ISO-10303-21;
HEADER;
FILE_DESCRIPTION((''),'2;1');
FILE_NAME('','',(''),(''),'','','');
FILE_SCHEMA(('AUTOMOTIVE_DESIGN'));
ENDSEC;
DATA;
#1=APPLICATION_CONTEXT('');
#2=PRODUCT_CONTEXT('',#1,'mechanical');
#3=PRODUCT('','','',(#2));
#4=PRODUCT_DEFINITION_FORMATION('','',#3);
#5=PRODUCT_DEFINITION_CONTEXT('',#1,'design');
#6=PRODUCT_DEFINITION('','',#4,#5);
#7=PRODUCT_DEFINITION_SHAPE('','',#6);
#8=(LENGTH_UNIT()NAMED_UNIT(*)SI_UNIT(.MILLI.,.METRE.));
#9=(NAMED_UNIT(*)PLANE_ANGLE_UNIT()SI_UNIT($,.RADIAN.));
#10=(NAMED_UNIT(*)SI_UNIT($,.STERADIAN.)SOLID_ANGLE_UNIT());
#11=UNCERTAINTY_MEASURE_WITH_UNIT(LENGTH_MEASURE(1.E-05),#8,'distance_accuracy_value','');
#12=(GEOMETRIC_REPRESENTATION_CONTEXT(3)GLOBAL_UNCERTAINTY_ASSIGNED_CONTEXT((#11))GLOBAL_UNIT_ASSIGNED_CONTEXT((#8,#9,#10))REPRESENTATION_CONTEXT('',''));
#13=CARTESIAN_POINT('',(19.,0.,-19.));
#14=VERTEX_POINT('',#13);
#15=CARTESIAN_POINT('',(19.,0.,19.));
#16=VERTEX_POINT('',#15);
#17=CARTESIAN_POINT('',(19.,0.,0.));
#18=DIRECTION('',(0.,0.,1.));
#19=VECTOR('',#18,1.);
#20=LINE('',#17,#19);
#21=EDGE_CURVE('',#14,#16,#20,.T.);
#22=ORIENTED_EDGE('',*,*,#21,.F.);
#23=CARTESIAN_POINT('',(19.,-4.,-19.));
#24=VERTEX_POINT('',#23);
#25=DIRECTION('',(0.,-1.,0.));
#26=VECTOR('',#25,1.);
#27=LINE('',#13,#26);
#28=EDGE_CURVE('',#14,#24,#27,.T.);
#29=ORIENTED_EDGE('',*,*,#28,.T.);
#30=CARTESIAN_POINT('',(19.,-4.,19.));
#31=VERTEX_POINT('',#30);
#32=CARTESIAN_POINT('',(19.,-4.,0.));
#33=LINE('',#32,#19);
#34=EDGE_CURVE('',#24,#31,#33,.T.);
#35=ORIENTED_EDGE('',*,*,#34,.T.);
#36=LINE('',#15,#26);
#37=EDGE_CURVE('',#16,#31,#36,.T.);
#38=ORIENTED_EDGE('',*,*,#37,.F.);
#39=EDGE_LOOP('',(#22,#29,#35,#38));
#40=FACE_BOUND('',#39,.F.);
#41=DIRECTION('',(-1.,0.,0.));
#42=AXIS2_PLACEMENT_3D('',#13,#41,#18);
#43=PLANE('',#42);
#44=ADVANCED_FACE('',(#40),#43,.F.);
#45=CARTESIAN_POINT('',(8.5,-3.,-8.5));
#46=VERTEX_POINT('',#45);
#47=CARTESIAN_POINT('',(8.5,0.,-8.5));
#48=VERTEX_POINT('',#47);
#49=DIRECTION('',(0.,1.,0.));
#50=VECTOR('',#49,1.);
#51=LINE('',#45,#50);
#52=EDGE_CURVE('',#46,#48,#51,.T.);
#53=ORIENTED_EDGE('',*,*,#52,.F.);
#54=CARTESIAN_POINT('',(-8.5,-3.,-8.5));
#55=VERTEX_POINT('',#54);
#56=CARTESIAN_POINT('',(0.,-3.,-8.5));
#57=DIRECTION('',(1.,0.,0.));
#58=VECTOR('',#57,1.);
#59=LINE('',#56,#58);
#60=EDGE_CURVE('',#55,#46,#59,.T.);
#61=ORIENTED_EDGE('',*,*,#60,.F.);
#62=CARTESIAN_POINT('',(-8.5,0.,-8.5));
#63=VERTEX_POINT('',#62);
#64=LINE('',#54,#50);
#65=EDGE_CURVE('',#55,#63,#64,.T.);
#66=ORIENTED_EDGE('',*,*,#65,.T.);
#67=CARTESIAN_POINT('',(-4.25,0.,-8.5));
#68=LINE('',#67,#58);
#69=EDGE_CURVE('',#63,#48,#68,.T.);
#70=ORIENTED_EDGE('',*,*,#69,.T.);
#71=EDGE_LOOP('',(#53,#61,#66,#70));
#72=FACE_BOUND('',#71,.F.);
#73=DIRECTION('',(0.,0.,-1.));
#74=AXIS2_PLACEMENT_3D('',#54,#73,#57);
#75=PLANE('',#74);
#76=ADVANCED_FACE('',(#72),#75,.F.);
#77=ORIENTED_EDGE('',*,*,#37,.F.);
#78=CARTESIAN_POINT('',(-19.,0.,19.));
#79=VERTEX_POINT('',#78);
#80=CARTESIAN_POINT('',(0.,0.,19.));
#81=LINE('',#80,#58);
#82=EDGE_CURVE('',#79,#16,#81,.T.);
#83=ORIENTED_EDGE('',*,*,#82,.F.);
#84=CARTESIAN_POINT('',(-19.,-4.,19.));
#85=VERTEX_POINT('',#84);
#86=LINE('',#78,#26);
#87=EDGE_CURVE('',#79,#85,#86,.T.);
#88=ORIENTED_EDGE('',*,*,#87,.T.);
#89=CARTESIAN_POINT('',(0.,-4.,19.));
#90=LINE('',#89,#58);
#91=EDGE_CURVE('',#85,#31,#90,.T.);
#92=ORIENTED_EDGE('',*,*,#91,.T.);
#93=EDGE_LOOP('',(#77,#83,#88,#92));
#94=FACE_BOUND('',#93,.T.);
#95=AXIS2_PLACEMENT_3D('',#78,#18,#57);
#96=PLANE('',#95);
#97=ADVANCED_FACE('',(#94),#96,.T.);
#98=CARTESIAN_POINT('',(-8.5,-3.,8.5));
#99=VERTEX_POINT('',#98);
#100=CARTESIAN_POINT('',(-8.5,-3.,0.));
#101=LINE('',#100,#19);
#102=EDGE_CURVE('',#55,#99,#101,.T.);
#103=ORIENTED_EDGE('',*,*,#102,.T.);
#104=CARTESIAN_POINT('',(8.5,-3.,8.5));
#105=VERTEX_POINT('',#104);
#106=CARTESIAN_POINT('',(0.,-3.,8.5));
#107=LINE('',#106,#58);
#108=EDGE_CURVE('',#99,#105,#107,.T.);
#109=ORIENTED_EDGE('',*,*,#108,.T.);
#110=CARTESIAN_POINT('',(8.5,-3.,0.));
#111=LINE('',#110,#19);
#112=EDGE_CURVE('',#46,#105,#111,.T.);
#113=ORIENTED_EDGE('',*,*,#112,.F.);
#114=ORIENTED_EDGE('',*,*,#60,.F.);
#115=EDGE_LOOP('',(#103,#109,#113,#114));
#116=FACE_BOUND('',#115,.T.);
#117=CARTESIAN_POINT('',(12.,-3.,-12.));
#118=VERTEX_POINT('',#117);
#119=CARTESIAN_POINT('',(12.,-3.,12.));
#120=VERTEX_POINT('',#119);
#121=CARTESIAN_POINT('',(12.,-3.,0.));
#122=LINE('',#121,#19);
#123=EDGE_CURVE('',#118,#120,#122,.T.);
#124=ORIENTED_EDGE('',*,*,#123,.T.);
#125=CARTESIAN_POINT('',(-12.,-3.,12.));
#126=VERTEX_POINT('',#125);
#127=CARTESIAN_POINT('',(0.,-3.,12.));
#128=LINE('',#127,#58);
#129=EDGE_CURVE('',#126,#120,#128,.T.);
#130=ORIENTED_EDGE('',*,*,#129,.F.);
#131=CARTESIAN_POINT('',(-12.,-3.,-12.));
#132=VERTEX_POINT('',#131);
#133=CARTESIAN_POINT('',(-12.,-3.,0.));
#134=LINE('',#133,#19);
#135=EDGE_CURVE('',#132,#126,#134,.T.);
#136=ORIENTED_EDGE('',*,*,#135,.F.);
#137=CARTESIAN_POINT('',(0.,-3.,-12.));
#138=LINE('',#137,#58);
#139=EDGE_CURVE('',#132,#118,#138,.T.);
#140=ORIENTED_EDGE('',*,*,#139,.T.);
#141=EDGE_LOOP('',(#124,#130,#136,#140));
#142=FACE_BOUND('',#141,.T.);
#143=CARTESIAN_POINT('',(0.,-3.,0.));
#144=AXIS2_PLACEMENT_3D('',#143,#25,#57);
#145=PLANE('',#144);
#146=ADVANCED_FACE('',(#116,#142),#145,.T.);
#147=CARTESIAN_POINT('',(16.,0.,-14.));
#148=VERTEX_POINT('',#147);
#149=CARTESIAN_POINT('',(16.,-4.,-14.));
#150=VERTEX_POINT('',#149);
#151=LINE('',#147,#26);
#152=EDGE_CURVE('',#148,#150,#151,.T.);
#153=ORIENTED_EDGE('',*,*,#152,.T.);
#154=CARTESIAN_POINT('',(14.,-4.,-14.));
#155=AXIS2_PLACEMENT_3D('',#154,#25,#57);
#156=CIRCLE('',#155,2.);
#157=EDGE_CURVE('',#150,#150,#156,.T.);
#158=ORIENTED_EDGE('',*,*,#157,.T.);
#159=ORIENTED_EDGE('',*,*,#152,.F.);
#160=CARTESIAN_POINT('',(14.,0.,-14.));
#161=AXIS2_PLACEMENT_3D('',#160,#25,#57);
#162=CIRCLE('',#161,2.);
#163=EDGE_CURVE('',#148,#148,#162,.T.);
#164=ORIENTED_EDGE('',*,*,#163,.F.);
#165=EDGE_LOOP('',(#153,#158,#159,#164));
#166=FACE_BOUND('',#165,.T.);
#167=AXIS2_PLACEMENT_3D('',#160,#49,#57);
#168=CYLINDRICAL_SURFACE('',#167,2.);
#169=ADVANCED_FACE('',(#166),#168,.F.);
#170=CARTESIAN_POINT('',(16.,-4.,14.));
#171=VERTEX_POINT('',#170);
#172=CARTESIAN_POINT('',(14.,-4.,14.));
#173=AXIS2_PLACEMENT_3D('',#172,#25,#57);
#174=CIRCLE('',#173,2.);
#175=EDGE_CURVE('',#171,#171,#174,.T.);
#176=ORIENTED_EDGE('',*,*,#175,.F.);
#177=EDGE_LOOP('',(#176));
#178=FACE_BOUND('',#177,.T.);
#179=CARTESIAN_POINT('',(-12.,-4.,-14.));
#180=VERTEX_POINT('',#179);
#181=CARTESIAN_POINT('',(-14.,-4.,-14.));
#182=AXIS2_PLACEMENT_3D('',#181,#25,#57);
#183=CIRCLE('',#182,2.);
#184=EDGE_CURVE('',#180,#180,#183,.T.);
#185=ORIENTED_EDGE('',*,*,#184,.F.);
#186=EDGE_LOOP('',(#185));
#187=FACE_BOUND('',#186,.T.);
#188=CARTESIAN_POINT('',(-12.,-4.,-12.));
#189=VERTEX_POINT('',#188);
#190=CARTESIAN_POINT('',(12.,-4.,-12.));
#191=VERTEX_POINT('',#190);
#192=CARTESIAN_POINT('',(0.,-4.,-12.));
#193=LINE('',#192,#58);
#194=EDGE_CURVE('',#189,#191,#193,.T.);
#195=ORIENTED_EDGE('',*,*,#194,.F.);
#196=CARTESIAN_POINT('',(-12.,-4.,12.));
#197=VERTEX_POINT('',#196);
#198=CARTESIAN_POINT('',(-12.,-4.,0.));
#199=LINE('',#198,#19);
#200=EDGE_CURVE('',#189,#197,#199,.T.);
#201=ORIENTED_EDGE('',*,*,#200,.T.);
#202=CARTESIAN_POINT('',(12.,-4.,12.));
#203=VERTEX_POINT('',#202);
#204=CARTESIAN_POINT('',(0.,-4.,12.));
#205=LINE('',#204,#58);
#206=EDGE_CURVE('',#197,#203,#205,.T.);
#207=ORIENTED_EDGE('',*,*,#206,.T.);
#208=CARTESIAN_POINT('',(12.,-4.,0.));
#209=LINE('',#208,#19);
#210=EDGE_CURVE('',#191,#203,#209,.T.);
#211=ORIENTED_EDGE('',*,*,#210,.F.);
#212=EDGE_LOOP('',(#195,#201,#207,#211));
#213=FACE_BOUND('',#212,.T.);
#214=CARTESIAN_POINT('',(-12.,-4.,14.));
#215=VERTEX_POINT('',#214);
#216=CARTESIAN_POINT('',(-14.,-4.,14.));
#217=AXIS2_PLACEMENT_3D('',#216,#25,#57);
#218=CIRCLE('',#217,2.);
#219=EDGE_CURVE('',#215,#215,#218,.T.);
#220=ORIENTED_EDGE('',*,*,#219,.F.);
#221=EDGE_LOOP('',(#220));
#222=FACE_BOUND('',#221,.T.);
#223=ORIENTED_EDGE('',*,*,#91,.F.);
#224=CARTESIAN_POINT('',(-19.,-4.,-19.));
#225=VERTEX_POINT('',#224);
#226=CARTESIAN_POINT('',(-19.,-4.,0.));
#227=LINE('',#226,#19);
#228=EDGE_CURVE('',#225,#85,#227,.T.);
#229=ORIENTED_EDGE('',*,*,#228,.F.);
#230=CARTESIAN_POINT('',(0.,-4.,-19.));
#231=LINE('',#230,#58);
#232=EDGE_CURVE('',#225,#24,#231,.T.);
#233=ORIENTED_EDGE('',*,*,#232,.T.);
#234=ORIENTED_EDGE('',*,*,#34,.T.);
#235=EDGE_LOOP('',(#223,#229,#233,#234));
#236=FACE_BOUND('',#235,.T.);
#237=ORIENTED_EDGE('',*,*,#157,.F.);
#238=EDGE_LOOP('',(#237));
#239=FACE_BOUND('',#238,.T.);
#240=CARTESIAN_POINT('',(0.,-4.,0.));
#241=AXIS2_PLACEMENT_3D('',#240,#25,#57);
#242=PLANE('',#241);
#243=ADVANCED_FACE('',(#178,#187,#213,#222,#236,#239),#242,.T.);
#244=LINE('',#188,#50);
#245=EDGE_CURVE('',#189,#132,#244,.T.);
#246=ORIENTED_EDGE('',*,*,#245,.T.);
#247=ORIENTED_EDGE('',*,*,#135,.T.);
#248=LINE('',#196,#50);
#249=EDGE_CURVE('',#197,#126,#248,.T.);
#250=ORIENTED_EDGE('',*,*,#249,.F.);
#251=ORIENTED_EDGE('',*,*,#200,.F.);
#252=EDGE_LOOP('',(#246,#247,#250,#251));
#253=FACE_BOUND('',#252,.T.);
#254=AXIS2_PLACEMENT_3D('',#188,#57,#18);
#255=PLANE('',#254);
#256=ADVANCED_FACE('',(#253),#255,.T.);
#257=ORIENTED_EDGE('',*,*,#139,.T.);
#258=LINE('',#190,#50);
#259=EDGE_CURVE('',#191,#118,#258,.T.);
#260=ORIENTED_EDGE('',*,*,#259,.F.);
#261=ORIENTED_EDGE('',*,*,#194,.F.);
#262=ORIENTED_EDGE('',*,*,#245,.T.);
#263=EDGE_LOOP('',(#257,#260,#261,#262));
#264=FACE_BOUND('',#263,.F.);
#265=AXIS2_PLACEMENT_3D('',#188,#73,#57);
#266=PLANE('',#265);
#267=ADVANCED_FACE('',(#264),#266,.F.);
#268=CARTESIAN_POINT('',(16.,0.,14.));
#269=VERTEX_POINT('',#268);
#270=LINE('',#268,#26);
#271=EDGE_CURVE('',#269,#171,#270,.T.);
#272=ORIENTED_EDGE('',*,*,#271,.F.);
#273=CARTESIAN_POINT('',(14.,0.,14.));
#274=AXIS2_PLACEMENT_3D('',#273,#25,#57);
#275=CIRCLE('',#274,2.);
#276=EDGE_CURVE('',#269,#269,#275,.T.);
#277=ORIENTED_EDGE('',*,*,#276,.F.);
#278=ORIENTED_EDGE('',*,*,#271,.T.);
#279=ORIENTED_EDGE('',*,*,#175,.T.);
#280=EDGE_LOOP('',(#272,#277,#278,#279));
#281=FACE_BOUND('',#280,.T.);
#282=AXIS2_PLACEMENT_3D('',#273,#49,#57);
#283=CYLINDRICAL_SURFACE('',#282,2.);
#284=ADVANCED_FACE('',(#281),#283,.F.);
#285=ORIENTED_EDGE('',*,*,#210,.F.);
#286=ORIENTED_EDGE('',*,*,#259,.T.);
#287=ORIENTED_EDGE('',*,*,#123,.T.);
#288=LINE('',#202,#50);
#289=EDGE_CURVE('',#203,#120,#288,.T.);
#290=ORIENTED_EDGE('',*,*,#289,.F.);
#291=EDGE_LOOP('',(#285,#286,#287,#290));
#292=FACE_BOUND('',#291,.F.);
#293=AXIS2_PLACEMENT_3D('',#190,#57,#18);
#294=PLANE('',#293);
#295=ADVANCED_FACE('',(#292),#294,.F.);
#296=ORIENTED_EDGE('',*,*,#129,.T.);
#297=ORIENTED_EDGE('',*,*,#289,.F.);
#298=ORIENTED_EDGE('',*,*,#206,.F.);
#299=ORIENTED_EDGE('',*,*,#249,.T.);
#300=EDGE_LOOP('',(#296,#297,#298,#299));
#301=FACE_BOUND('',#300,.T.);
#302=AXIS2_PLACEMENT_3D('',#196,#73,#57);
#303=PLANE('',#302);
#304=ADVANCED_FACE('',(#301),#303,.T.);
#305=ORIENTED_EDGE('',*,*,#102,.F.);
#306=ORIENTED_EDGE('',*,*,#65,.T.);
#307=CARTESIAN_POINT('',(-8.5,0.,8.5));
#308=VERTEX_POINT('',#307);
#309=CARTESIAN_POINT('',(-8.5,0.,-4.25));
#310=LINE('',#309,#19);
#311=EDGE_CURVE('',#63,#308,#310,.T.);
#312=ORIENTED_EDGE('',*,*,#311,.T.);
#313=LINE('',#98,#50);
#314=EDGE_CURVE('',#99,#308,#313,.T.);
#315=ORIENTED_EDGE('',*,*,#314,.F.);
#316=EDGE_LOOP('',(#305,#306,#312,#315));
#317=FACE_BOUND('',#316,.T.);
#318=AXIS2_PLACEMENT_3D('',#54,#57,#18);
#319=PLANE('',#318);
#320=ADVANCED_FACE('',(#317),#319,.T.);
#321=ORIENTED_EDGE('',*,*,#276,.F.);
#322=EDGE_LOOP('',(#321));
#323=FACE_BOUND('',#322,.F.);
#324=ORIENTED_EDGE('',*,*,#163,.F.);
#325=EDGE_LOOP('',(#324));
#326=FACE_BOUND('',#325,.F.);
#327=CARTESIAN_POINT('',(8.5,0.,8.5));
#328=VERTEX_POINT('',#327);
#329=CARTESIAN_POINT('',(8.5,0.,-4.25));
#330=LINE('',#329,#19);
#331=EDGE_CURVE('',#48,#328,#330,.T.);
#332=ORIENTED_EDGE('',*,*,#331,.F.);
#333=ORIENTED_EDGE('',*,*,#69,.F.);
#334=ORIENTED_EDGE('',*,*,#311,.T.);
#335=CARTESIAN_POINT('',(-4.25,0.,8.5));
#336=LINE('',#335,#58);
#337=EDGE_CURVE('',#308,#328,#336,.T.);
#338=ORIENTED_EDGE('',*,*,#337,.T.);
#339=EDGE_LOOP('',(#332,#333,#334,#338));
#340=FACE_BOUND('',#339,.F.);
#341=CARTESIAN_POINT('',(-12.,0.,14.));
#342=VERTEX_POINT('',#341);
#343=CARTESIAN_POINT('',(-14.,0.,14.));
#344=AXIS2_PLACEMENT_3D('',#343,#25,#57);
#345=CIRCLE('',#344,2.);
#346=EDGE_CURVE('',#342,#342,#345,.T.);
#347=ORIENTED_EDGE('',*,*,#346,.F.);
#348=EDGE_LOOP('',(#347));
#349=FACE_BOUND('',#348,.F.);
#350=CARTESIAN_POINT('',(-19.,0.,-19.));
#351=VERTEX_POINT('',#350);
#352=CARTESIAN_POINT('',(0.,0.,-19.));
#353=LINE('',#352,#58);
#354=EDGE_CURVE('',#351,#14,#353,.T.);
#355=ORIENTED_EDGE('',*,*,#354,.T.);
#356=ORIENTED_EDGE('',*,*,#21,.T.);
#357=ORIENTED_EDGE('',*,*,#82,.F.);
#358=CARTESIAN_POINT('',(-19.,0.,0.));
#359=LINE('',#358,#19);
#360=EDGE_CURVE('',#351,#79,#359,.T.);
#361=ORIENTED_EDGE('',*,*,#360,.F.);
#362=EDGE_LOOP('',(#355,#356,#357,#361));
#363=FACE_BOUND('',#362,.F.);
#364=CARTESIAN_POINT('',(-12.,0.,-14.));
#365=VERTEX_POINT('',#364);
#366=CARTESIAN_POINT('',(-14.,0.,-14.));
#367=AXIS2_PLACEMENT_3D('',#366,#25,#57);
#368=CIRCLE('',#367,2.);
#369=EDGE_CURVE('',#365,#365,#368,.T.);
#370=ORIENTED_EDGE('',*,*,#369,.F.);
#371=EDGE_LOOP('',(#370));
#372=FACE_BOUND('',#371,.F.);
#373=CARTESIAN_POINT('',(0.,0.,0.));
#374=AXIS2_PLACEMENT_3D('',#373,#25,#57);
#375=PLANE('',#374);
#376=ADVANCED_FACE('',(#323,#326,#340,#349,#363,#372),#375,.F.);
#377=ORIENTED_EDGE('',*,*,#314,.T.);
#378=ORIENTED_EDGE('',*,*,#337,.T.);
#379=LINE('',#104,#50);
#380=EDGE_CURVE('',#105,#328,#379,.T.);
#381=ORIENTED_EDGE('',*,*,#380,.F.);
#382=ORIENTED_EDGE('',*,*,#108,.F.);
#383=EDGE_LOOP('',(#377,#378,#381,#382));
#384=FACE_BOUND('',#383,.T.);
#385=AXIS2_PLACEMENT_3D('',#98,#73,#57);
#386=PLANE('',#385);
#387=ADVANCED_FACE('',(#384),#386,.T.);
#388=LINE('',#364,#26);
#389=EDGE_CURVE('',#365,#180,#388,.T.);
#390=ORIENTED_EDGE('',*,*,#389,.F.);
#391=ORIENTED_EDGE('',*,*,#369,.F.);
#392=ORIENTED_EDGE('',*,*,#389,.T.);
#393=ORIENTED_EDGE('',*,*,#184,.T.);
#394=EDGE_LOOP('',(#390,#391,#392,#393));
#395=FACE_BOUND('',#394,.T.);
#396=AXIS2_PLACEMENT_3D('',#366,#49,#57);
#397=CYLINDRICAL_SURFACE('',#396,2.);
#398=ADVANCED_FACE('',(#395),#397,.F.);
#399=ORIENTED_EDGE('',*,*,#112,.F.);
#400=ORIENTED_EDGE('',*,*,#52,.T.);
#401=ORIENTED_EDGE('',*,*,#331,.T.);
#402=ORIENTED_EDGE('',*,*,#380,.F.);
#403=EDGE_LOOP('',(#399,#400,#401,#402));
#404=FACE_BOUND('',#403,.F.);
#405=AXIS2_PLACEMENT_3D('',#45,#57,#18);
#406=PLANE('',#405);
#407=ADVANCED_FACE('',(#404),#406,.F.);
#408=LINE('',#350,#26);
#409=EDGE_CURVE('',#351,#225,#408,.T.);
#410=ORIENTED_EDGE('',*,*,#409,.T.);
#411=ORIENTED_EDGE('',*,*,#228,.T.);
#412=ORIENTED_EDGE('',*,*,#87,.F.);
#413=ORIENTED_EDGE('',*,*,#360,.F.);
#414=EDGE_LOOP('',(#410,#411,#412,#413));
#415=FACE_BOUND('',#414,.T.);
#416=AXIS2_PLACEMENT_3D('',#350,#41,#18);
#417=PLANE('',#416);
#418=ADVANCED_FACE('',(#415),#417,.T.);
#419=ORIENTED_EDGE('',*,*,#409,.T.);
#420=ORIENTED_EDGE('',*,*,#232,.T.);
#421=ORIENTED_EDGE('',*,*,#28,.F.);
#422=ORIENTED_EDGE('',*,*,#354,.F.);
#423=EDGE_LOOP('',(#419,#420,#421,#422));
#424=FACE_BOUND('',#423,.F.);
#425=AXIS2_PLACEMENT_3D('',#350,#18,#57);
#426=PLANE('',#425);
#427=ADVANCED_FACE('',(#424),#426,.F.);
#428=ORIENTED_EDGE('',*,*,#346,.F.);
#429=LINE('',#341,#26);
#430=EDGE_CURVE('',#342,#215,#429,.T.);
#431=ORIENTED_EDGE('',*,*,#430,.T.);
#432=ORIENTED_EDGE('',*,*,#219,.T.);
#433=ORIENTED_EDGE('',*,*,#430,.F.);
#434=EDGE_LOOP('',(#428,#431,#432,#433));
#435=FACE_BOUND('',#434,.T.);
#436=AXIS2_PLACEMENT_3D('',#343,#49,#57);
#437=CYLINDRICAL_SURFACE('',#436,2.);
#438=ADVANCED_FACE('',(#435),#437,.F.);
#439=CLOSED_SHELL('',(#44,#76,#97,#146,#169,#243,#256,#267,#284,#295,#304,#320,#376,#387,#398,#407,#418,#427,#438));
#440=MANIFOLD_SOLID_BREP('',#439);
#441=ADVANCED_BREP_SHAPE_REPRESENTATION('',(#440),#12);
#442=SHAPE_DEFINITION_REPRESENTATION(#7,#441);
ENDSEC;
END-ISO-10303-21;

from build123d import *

# Parameters (mm, degrees)
SKETCH_W        = 38
SKETCH_H        = 38
SKETCH_R        = 2
PAD_DEPTH       = 4
SKETCH001_W     = 24
SKETCH001_H     = 24
POCKET_DEPTH    = 1
SKETCH002_W     = 17
SKETCH002_H     = 17
POCKET001_DEPTH = 3.001


with BuildPart() as part:
    # Sketch → Pad (new body)
    with BuildSketch(Plane.XZ):
        Rectangle(SKETCH_W, SKETCH_H)
        with Locations((-14, 14)):
            Circle(SKETCH_R, mode=Mode.SUBTRACT)
        with Locations((14, 14)):
            Circle(SKETCH_R, mode=Mode.SUBTRACT)
        with Locations((14, -14)):
            Circle(SKETCH_R, mode=Mode.SUBTRACT)
        with Locations((-14, -14)):
            Circle(SKETCH_R, mode=Mode.SUBTRACT)
    extrude(amount=PAD_DEPTH)

    # Sketch001 (on Face10 of Pad) → Pocket (cut)
    with BuildSketch(Plane.XZ.offset(4)):
        Rectangle(SKETCH001_W, SKETCH001_H)
    extrude(amount=-POCKET_DEPTH, mode=Mode.SUBTRACT)

    # Sketch002 (on Face15 of Pocket) → Pocket001 (cut, through all)
    with BuildSketch(Plane.XZ.offset(3)):
        Rectangle(SKETCH002_W, SKETCH002_H)
    extrude(amount=-POCKET001_DEPTH, mode=Mode.SUBTRACT)


solid = part.part
